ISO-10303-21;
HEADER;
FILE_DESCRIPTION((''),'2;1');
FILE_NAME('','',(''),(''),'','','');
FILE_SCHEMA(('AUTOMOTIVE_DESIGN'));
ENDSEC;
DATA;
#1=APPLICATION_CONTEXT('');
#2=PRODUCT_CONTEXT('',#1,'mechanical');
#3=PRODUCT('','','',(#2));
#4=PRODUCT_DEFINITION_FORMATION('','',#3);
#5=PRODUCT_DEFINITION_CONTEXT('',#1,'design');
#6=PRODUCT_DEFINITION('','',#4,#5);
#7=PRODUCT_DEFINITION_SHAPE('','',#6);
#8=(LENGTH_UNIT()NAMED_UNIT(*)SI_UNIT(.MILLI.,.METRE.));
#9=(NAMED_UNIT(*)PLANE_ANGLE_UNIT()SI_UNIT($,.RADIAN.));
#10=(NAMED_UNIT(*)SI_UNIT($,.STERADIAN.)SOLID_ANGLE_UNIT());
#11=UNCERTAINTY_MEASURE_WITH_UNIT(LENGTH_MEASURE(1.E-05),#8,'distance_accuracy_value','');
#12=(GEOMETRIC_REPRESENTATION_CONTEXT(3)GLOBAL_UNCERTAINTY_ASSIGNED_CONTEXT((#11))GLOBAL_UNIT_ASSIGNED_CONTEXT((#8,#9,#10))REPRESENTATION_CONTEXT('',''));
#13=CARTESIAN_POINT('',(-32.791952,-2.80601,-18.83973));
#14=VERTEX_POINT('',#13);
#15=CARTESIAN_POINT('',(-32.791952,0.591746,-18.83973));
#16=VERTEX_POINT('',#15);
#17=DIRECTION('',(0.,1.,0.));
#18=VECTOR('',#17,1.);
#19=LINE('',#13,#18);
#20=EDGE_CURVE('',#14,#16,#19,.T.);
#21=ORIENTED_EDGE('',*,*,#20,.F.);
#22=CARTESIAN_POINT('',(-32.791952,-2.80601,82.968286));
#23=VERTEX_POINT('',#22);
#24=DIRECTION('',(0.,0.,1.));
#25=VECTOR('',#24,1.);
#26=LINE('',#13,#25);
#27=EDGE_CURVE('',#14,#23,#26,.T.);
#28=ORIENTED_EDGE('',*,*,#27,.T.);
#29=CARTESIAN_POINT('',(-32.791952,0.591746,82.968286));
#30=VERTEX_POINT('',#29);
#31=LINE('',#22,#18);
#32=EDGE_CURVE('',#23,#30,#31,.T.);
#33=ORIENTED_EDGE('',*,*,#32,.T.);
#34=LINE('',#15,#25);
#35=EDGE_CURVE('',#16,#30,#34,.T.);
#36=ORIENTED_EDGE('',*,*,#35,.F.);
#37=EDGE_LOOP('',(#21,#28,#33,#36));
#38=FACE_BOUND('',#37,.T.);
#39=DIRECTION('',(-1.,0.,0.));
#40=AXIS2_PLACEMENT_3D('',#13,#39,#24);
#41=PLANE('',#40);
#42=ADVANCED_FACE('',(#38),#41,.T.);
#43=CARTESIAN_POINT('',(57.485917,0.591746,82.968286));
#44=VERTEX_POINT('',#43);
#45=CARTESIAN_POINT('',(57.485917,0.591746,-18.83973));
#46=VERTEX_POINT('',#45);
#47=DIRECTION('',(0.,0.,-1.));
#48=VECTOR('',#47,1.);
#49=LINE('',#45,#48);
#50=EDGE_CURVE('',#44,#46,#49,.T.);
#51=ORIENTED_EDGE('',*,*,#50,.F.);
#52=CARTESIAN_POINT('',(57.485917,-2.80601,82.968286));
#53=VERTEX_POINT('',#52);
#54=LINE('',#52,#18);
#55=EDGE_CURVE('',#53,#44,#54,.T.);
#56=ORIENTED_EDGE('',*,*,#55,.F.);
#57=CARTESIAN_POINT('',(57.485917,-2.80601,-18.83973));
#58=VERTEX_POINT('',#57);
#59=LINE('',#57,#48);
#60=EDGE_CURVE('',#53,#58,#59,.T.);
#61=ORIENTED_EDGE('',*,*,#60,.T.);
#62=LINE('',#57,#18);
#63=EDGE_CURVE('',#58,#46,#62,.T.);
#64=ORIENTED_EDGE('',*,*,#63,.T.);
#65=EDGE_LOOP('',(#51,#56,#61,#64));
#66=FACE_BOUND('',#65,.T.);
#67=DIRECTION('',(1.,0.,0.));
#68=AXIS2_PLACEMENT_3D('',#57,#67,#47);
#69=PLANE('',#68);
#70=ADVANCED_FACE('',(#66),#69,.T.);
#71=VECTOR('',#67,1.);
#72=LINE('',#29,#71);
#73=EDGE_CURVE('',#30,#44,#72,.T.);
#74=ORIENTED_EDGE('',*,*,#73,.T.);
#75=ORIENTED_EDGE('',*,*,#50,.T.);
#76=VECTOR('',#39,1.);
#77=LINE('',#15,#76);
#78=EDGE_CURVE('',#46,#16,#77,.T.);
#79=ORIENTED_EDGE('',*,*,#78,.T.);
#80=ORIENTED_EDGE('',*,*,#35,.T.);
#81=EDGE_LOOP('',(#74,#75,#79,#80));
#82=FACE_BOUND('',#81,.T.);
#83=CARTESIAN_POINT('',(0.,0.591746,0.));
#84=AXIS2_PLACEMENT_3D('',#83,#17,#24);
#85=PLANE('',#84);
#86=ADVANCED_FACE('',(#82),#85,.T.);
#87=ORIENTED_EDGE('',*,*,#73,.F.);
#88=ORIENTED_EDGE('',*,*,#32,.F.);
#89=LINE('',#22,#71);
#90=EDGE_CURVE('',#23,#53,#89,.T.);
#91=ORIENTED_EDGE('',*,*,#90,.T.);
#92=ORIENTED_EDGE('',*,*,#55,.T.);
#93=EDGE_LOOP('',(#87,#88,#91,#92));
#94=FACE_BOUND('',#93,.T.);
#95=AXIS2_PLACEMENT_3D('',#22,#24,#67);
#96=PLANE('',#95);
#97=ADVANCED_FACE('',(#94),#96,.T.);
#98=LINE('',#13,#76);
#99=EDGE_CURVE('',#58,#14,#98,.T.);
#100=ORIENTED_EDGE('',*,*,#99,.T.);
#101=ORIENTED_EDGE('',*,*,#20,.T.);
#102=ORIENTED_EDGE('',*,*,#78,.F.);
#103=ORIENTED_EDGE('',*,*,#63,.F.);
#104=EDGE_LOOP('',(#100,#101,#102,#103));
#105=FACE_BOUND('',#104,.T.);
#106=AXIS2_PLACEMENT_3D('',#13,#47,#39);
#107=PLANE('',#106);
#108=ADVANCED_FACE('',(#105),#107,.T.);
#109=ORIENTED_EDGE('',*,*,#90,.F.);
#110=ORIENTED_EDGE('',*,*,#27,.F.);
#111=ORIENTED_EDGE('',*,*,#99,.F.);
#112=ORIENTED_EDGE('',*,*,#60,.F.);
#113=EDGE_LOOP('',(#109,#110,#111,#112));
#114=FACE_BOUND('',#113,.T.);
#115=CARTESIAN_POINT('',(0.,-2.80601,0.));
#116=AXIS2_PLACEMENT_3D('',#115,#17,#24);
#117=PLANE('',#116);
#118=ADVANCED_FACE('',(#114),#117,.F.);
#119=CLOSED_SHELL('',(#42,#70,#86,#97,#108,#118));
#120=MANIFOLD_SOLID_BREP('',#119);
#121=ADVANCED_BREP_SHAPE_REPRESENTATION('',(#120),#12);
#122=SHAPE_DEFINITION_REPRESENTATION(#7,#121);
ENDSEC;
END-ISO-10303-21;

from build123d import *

# Parameters (mm, degrees)
BOSS_EXTRUDE1_DEPTH      = 0.591745503
BOSS_EXTRUDE1_DEPTH_BACK = 2.806010268
SKETCH1_W                = 90.277869284
SKETCH1_H                = 101.808016186


with BuildPart() as part:
    # Sketch1 → Boss-Extrude1 (new, two sides: drawn at the far end of the back side and taken through both)
    with BuildSketch(Plane(origin=(0.597296835, 0, -0.062875246), x_dir=(1, 0, 0), z_dir=(0, 1, 0)).offset(-BOSS_EXTRUDE1_DEPTH_BACK)):
        with Locations((11.749685836, -32.127153015)):
            Rectangle(SKETCH1_W, SKETCH1_H)
    extrude(amount=BOSS_EXTRUDE1_DEPTH + BOSS_EXTRUDE1_DEPTH_BACK)


solid = part.part
